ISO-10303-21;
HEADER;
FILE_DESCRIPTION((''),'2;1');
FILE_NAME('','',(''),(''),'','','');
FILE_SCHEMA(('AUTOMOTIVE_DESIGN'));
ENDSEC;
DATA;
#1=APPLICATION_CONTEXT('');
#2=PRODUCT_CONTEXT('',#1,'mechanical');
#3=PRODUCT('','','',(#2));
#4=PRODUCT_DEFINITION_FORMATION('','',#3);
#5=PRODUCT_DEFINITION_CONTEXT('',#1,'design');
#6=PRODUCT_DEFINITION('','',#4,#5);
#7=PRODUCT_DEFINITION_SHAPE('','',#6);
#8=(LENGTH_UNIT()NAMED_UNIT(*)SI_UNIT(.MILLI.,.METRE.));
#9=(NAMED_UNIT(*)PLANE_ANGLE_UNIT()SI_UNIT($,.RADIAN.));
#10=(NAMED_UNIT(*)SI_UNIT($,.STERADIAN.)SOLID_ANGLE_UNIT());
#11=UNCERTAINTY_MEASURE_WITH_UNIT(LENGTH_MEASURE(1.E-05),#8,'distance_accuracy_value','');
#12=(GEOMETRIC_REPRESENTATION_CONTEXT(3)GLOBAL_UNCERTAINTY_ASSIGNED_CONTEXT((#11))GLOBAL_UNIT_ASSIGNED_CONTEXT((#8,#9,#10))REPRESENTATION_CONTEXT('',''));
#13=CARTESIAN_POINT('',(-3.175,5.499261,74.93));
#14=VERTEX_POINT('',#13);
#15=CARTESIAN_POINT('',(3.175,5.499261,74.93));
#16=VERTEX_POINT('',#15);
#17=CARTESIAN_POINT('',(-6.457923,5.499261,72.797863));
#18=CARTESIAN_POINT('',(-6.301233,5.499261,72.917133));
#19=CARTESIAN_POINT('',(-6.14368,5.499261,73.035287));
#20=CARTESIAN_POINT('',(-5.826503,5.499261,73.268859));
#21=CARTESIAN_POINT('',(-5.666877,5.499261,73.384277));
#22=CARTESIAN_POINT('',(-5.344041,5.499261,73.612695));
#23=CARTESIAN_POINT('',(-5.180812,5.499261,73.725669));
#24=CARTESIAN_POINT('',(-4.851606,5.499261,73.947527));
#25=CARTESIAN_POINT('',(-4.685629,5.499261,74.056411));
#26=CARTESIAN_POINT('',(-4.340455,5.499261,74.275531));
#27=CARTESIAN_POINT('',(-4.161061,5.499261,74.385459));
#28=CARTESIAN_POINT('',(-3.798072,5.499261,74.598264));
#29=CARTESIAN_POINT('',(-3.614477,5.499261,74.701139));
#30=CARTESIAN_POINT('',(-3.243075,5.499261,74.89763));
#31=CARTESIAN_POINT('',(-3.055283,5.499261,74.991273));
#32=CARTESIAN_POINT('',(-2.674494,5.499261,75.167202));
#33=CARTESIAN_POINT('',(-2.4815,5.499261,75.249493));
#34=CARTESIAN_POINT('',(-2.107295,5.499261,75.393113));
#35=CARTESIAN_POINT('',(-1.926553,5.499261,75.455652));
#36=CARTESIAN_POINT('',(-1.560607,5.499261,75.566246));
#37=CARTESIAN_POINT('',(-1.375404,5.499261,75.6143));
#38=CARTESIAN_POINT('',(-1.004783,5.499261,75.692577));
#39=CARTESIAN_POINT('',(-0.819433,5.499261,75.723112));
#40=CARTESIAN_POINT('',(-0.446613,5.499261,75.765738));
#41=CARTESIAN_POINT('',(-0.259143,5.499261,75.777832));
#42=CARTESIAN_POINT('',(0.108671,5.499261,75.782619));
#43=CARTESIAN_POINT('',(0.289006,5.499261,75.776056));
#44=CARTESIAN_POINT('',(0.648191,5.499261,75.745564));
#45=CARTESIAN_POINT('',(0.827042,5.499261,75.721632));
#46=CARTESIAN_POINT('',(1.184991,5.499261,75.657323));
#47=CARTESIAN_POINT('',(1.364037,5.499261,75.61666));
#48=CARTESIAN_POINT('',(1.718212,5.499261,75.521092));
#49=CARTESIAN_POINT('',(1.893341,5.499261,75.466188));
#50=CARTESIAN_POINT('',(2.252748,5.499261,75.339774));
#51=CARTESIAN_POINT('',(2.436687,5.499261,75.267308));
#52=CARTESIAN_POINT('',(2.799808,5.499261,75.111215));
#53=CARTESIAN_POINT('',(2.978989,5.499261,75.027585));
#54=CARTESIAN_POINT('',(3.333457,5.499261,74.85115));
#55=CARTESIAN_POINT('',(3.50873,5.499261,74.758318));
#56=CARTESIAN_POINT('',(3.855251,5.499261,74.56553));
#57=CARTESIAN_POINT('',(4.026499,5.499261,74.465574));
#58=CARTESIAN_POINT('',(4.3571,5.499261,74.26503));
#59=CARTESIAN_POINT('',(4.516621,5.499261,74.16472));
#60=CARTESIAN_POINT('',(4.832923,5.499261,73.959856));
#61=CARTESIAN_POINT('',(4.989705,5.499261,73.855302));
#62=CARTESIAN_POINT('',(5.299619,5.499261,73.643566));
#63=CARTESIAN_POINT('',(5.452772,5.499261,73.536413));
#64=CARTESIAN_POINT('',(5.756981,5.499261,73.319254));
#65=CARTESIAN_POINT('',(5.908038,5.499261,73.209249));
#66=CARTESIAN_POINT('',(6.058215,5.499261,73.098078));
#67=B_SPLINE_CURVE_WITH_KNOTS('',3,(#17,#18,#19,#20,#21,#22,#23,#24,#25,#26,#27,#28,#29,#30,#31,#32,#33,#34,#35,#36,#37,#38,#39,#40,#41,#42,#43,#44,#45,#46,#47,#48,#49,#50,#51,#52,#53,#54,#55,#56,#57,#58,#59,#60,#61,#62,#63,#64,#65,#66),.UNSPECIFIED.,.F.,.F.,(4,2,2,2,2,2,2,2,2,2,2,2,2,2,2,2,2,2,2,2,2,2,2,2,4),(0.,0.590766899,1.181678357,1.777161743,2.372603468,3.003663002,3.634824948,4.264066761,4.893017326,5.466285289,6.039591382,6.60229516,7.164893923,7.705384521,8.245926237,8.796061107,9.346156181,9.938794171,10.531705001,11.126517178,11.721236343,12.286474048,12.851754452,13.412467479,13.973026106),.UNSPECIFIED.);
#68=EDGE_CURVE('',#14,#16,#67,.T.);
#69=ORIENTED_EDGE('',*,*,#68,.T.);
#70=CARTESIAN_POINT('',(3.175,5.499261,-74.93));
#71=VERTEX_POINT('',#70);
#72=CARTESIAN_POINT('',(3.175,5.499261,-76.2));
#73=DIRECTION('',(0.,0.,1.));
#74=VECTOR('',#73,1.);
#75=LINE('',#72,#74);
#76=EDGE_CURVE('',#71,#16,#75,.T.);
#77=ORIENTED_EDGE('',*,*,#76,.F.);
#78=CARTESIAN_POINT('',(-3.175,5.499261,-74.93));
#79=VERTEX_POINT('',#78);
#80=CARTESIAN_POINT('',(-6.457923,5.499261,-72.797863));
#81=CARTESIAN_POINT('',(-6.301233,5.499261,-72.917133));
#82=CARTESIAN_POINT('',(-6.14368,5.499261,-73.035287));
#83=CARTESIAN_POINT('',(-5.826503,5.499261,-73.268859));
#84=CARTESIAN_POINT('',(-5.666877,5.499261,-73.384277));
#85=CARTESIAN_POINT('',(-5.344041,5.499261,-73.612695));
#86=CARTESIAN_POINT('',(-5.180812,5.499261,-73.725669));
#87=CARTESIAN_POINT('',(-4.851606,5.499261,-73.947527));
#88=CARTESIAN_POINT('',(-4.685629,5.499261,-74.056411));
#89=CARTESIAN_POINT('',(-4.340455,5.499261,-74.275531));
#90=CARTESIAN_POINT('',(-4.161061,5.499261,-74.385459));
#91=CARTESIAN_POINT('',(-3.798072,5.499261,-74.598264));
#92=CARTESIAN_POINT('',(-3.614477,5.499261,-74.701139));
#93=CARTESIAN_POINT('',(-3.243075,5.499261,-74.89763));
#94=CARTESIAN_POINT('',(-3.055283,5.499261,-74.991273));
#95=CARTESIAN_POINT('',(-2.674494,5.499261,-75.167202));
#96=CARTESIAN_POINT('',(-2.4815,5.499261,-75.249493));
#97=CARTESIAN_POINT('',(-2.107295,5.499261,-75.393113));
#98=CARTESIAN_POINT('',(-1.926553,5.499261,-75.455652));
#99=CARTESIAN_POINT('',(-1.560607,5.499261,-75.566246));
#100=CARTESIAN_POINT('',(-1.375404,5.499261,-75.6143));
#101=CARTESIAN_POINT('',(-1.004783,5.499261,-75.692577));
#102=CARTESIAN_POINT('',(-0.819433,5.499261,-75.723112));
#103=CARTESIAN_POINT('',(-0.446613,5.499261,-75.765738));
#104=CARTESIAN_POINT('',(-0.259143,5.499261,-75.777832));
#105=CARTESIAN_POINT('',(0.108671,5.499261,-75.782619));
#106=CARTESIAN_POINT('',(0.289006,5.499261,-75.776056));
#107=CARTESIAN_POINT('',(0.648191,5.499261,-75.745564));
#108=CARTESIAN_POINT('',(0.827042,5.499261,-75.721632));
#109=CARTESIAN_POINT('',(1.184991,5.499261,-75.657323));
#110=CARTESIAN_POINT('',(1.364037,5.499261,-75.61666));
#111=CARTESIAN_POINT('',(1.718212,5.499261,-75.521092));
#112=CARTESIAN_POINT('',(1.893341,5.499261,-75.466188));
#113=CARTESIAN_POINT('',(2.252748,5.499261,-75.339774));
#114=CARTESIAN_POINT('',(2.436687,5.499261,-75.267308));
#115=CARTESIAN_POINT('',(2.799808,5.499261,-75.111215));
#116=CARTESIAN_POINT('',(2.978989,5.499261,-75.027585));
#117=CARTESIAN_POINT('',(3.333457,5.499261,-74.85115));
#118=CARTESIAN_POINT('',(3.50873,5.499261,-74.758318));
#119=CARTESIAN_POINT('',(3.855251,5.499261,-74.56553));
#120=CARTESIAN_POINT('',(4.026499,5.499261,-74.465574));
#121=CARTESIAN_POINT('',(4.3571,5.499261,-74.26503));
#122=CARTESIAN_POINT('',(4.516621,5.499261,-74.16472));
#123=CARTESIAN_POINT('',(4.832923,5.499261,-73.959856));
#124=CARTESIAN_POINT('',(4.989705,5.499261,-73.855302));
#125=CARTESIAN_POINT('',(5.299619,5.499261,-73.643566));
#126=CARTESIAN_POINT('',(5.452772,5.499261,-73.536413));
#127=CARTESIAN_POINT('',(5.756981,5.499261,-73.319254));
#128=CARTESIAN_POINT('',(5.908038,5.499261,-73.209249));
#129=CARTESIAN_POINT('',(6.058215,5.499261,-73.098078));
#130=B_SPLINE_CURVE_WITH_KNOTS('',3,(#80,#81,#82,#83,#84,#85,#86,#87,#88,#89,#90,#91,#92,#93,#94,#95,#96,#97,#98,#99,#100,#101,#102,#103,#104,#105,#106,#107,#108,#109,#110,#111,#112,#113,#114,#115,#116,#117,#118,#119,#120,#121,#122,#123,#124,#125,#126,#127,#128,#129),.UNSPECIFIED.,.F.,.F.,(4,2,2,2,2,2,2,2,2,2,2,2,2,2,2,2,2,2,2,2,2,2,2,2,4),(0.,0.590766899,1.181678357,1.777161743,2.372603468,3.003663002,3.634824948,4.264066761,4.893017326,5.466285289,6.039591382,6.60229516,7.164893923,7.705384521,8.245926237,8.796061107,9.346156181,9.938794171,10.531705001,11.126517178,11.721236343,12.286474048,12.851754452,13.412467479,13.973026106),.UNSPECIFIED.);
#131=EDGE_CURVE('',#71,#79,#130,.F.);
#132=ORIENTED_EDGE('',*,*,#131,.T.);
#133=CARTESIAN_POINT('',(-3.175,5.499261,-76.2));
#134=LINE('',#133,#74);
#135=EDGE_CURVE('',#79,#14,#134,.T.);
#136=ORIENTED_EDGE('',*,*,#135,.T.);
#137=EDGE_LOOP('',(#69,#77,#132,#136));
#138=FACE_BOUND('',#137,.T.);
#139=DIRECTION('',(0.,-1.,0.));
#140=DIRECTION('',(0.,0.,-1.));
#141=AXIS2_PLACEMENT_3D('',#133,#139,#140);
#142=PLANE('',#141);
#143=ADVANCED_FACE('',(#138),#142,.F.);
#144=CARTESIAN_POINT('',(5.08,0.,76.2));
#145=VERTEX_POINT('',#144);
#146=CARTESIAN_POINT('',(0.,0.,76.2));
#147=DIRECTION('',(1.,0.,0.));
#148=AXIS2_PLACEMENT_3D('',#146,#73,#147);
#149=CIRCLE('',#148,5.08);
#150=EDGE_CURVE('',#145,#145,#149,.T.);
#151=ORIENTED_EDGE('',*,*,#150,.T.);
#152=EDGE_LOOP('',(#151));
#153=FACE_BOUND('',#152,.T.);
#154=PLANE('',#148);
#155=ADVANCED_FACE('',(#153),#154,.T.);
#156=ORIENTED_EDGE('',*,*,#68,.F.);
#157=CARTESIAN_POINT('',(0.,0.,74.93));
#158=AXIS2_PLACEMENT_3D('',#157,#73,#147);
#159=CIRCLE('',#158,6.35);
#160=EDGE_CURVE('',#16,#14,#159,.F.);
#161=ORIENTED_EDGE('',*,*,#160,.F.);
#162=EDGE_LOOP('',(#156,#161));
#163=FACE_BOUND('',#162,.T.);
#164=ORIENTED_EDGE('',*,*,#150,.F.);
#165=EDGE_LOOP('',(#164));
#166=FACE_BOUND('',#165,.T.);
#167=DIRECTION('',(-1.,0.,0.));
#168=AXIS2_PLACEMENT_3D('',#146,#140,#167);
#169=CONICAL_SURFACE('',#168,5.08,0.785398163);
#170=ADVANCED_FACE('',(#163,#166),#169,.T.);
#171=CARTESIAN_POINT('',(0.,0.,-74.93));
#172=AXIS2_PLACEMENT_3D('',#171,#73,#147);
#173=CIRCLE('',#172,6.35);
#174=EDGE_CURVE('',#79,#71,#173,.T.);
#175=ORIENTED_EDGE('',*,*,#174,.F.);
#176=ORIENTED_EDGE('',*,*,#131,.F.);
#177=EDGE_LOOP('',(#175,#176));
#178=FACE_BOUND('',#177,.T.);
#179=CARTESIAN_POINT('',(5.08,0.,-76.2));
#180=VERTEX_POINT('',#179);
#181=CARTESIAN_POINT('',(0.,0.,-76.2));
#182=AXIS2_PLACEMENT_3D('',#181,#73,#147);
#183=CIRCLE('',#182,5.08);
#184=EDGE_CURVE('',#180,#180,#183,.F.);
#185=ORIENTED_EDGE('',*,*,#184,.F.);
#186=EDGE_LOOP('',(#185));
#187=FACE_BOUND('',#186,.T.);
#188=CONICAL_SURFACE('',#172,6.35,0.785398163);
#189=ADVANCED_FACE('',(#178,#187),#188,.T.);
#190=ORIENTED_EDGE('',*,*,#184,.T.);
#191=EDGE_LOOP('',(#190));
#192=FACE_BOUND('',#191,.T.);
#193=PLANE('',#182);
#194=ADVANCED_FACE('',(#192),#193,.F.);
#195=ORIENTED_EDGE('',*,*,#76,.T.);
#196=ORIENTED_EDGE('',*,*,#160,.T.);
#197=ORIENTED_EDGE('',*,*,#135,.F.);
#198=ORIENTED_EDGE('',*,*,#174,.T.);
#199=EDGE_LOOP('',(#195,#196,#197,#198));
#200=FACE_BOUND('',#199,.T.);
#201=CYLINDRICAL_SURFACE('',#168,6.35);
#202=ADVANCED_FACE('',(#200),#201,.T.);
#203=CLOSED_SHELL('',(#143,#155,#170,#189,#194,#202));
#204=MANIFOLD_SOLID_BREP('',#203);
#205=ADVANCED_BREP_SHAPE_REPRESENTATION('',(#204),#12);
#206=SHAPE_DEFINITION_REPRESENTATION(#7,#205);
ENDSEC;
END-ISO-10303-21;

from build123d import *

# Parameters (mm, degrees)
SKETCH1_R           = 6.35
EXTRUDE1_DEPTH      = 76.2
CHAMFER1_SIZE       = 1.27
EXTRUDE7_DEPTH      = 77.727341932
EXTRUDE7_DEPTH_BACK = 77.727341932


with BuildPart() as part:
    # Sketch1 → Extrude1 (new, symmetric)
    with BuildSketch(Plane.XY):
        with Locations(Location((0, 0, 0), (0, 0, 180))):
            Circle(SKETCH1_R)
    extrude(amount=EXTRUDE1_DEPTH, both=True)

    # Chamfer1
    chamfer1_edges = [part.edges().sort_by_distance(p)[0] for p in [
        (6.35, 0, -76.2),
        (6.35, 0, 76.2),
    ]]
    chamfer(chamfer1_edges, length=CHAMFER1_SIZE)

    # Sketch13 → Extrude7 (cut, two sides: drawn at the far end of the back side and taken through both)
    with BuildSketch(Plane.XY.offset(-EXTRUDE7_DEPTH_BACK)):
        with BuildLine():
            Line((-3.175, 5.499261314), (3.175, 5.499261314))
            ThreePointArc((3.175, 5.499261314), (0, 6.35), (-3.175, 5.499261314))
        make_face()
    extrude(amount=EXTRUDE7_DEPTH + EXTRUDE7_DEPTH_BACK, mode=Mode.SUBTRACT)


solid = part.part
